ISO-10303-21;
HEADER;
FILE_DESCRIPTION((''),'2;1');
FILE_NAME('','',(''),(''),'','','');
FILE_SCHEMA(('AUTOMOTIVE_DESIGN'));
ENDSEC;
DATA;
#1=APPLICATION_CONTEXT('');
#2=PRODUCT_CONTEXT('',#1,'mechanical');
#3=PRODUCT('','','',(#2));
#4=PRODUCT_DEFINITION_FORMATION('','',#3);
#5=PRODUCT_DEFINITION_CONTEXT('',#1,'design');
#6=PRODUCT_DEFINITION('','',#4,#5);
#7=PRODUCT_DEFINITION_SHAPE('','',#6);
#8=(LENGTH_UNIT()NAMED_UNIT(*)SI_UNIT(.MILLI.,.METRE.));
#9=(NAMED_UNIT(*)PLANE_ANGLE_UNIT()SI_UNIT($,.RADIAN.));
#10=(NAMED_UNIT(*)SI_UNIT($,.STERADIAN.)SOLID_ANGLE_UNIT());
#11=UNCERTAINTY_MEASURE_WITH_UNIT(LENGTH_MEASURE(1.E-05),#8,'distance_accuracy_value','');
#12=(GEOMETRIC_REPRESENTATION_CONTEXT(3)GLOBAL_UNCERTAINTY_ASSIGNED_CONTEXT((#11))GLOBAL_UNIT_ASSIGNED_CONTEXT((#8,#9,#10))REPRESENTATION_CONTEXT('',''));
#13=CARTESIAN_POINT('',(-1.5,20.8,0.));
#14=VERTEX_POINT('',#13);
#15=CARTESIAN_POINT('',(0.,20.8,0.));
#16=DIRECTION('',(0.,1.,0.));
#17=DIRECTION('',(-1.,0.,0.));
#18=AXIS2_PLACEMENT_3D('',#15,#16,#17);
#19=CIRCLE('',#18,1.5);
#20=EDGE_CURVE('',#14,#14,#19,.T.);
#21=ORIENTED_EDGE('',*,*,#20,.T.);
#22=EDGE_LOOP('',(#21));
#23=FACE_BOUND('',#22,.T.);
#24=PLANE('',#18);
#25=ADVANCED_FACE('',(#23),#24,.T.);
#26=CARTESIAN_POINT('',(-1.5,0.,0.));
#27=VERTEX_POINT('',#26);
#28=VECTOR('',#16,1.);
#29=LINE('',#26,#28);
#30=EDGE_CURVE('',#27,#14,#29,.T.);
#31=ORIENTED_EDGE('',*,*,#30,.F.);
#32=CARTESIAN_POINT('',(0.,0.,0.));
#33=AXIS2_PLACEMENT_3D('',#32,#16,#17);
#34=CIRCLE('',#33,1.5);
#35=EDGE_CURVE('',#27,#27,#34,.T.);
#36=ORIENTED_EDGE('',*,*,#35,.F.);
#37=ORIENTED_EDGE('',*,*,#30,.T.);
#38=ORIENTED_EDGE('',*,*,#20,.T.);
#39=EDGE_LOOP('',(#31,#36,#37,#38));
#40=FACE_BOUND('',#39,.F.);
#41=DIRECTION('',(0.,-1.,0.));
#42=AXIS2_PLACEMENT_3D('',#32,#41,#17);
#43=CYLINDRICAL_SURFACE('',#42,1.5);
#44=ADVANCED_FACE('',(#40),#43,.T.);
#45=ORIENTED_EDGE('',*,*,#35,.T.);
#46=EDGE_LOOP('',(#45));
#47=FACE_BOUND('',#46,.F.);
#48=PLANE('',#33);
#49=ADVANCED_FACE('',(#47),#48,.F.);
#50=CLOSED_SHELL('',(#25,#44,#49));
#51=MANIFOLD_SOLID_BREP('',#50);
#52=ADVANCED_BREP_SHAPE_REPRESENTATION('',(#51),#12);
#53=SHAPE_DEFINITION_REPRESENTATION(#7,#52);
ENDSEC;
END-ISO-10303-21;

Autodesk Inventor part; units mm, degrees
ref_plane "YZ Plane" through (0, 0, 0) normal (1, 0, 0) x (0, 1, 0)
ref_plane "XZ Plane" through (0, 0, 0) normal (0, 1, 0) x (-1, 0, 0)
ref_plane "XY Plane" through (0, 0, 0) normal (0, 0, 1) x (1, 0, 0)
sketch "Szkic1" plane through (0, 0, 0) normal (0, 1, 0) x (-1, 0, 0)
  circle A0 centre (0, 0) radius 1.5
  dimension "d0" = 3
extrude "Wyciągnięcie proste1" add sketch "Szkic1" along normal blind 20.8
properties part number "shaft"
